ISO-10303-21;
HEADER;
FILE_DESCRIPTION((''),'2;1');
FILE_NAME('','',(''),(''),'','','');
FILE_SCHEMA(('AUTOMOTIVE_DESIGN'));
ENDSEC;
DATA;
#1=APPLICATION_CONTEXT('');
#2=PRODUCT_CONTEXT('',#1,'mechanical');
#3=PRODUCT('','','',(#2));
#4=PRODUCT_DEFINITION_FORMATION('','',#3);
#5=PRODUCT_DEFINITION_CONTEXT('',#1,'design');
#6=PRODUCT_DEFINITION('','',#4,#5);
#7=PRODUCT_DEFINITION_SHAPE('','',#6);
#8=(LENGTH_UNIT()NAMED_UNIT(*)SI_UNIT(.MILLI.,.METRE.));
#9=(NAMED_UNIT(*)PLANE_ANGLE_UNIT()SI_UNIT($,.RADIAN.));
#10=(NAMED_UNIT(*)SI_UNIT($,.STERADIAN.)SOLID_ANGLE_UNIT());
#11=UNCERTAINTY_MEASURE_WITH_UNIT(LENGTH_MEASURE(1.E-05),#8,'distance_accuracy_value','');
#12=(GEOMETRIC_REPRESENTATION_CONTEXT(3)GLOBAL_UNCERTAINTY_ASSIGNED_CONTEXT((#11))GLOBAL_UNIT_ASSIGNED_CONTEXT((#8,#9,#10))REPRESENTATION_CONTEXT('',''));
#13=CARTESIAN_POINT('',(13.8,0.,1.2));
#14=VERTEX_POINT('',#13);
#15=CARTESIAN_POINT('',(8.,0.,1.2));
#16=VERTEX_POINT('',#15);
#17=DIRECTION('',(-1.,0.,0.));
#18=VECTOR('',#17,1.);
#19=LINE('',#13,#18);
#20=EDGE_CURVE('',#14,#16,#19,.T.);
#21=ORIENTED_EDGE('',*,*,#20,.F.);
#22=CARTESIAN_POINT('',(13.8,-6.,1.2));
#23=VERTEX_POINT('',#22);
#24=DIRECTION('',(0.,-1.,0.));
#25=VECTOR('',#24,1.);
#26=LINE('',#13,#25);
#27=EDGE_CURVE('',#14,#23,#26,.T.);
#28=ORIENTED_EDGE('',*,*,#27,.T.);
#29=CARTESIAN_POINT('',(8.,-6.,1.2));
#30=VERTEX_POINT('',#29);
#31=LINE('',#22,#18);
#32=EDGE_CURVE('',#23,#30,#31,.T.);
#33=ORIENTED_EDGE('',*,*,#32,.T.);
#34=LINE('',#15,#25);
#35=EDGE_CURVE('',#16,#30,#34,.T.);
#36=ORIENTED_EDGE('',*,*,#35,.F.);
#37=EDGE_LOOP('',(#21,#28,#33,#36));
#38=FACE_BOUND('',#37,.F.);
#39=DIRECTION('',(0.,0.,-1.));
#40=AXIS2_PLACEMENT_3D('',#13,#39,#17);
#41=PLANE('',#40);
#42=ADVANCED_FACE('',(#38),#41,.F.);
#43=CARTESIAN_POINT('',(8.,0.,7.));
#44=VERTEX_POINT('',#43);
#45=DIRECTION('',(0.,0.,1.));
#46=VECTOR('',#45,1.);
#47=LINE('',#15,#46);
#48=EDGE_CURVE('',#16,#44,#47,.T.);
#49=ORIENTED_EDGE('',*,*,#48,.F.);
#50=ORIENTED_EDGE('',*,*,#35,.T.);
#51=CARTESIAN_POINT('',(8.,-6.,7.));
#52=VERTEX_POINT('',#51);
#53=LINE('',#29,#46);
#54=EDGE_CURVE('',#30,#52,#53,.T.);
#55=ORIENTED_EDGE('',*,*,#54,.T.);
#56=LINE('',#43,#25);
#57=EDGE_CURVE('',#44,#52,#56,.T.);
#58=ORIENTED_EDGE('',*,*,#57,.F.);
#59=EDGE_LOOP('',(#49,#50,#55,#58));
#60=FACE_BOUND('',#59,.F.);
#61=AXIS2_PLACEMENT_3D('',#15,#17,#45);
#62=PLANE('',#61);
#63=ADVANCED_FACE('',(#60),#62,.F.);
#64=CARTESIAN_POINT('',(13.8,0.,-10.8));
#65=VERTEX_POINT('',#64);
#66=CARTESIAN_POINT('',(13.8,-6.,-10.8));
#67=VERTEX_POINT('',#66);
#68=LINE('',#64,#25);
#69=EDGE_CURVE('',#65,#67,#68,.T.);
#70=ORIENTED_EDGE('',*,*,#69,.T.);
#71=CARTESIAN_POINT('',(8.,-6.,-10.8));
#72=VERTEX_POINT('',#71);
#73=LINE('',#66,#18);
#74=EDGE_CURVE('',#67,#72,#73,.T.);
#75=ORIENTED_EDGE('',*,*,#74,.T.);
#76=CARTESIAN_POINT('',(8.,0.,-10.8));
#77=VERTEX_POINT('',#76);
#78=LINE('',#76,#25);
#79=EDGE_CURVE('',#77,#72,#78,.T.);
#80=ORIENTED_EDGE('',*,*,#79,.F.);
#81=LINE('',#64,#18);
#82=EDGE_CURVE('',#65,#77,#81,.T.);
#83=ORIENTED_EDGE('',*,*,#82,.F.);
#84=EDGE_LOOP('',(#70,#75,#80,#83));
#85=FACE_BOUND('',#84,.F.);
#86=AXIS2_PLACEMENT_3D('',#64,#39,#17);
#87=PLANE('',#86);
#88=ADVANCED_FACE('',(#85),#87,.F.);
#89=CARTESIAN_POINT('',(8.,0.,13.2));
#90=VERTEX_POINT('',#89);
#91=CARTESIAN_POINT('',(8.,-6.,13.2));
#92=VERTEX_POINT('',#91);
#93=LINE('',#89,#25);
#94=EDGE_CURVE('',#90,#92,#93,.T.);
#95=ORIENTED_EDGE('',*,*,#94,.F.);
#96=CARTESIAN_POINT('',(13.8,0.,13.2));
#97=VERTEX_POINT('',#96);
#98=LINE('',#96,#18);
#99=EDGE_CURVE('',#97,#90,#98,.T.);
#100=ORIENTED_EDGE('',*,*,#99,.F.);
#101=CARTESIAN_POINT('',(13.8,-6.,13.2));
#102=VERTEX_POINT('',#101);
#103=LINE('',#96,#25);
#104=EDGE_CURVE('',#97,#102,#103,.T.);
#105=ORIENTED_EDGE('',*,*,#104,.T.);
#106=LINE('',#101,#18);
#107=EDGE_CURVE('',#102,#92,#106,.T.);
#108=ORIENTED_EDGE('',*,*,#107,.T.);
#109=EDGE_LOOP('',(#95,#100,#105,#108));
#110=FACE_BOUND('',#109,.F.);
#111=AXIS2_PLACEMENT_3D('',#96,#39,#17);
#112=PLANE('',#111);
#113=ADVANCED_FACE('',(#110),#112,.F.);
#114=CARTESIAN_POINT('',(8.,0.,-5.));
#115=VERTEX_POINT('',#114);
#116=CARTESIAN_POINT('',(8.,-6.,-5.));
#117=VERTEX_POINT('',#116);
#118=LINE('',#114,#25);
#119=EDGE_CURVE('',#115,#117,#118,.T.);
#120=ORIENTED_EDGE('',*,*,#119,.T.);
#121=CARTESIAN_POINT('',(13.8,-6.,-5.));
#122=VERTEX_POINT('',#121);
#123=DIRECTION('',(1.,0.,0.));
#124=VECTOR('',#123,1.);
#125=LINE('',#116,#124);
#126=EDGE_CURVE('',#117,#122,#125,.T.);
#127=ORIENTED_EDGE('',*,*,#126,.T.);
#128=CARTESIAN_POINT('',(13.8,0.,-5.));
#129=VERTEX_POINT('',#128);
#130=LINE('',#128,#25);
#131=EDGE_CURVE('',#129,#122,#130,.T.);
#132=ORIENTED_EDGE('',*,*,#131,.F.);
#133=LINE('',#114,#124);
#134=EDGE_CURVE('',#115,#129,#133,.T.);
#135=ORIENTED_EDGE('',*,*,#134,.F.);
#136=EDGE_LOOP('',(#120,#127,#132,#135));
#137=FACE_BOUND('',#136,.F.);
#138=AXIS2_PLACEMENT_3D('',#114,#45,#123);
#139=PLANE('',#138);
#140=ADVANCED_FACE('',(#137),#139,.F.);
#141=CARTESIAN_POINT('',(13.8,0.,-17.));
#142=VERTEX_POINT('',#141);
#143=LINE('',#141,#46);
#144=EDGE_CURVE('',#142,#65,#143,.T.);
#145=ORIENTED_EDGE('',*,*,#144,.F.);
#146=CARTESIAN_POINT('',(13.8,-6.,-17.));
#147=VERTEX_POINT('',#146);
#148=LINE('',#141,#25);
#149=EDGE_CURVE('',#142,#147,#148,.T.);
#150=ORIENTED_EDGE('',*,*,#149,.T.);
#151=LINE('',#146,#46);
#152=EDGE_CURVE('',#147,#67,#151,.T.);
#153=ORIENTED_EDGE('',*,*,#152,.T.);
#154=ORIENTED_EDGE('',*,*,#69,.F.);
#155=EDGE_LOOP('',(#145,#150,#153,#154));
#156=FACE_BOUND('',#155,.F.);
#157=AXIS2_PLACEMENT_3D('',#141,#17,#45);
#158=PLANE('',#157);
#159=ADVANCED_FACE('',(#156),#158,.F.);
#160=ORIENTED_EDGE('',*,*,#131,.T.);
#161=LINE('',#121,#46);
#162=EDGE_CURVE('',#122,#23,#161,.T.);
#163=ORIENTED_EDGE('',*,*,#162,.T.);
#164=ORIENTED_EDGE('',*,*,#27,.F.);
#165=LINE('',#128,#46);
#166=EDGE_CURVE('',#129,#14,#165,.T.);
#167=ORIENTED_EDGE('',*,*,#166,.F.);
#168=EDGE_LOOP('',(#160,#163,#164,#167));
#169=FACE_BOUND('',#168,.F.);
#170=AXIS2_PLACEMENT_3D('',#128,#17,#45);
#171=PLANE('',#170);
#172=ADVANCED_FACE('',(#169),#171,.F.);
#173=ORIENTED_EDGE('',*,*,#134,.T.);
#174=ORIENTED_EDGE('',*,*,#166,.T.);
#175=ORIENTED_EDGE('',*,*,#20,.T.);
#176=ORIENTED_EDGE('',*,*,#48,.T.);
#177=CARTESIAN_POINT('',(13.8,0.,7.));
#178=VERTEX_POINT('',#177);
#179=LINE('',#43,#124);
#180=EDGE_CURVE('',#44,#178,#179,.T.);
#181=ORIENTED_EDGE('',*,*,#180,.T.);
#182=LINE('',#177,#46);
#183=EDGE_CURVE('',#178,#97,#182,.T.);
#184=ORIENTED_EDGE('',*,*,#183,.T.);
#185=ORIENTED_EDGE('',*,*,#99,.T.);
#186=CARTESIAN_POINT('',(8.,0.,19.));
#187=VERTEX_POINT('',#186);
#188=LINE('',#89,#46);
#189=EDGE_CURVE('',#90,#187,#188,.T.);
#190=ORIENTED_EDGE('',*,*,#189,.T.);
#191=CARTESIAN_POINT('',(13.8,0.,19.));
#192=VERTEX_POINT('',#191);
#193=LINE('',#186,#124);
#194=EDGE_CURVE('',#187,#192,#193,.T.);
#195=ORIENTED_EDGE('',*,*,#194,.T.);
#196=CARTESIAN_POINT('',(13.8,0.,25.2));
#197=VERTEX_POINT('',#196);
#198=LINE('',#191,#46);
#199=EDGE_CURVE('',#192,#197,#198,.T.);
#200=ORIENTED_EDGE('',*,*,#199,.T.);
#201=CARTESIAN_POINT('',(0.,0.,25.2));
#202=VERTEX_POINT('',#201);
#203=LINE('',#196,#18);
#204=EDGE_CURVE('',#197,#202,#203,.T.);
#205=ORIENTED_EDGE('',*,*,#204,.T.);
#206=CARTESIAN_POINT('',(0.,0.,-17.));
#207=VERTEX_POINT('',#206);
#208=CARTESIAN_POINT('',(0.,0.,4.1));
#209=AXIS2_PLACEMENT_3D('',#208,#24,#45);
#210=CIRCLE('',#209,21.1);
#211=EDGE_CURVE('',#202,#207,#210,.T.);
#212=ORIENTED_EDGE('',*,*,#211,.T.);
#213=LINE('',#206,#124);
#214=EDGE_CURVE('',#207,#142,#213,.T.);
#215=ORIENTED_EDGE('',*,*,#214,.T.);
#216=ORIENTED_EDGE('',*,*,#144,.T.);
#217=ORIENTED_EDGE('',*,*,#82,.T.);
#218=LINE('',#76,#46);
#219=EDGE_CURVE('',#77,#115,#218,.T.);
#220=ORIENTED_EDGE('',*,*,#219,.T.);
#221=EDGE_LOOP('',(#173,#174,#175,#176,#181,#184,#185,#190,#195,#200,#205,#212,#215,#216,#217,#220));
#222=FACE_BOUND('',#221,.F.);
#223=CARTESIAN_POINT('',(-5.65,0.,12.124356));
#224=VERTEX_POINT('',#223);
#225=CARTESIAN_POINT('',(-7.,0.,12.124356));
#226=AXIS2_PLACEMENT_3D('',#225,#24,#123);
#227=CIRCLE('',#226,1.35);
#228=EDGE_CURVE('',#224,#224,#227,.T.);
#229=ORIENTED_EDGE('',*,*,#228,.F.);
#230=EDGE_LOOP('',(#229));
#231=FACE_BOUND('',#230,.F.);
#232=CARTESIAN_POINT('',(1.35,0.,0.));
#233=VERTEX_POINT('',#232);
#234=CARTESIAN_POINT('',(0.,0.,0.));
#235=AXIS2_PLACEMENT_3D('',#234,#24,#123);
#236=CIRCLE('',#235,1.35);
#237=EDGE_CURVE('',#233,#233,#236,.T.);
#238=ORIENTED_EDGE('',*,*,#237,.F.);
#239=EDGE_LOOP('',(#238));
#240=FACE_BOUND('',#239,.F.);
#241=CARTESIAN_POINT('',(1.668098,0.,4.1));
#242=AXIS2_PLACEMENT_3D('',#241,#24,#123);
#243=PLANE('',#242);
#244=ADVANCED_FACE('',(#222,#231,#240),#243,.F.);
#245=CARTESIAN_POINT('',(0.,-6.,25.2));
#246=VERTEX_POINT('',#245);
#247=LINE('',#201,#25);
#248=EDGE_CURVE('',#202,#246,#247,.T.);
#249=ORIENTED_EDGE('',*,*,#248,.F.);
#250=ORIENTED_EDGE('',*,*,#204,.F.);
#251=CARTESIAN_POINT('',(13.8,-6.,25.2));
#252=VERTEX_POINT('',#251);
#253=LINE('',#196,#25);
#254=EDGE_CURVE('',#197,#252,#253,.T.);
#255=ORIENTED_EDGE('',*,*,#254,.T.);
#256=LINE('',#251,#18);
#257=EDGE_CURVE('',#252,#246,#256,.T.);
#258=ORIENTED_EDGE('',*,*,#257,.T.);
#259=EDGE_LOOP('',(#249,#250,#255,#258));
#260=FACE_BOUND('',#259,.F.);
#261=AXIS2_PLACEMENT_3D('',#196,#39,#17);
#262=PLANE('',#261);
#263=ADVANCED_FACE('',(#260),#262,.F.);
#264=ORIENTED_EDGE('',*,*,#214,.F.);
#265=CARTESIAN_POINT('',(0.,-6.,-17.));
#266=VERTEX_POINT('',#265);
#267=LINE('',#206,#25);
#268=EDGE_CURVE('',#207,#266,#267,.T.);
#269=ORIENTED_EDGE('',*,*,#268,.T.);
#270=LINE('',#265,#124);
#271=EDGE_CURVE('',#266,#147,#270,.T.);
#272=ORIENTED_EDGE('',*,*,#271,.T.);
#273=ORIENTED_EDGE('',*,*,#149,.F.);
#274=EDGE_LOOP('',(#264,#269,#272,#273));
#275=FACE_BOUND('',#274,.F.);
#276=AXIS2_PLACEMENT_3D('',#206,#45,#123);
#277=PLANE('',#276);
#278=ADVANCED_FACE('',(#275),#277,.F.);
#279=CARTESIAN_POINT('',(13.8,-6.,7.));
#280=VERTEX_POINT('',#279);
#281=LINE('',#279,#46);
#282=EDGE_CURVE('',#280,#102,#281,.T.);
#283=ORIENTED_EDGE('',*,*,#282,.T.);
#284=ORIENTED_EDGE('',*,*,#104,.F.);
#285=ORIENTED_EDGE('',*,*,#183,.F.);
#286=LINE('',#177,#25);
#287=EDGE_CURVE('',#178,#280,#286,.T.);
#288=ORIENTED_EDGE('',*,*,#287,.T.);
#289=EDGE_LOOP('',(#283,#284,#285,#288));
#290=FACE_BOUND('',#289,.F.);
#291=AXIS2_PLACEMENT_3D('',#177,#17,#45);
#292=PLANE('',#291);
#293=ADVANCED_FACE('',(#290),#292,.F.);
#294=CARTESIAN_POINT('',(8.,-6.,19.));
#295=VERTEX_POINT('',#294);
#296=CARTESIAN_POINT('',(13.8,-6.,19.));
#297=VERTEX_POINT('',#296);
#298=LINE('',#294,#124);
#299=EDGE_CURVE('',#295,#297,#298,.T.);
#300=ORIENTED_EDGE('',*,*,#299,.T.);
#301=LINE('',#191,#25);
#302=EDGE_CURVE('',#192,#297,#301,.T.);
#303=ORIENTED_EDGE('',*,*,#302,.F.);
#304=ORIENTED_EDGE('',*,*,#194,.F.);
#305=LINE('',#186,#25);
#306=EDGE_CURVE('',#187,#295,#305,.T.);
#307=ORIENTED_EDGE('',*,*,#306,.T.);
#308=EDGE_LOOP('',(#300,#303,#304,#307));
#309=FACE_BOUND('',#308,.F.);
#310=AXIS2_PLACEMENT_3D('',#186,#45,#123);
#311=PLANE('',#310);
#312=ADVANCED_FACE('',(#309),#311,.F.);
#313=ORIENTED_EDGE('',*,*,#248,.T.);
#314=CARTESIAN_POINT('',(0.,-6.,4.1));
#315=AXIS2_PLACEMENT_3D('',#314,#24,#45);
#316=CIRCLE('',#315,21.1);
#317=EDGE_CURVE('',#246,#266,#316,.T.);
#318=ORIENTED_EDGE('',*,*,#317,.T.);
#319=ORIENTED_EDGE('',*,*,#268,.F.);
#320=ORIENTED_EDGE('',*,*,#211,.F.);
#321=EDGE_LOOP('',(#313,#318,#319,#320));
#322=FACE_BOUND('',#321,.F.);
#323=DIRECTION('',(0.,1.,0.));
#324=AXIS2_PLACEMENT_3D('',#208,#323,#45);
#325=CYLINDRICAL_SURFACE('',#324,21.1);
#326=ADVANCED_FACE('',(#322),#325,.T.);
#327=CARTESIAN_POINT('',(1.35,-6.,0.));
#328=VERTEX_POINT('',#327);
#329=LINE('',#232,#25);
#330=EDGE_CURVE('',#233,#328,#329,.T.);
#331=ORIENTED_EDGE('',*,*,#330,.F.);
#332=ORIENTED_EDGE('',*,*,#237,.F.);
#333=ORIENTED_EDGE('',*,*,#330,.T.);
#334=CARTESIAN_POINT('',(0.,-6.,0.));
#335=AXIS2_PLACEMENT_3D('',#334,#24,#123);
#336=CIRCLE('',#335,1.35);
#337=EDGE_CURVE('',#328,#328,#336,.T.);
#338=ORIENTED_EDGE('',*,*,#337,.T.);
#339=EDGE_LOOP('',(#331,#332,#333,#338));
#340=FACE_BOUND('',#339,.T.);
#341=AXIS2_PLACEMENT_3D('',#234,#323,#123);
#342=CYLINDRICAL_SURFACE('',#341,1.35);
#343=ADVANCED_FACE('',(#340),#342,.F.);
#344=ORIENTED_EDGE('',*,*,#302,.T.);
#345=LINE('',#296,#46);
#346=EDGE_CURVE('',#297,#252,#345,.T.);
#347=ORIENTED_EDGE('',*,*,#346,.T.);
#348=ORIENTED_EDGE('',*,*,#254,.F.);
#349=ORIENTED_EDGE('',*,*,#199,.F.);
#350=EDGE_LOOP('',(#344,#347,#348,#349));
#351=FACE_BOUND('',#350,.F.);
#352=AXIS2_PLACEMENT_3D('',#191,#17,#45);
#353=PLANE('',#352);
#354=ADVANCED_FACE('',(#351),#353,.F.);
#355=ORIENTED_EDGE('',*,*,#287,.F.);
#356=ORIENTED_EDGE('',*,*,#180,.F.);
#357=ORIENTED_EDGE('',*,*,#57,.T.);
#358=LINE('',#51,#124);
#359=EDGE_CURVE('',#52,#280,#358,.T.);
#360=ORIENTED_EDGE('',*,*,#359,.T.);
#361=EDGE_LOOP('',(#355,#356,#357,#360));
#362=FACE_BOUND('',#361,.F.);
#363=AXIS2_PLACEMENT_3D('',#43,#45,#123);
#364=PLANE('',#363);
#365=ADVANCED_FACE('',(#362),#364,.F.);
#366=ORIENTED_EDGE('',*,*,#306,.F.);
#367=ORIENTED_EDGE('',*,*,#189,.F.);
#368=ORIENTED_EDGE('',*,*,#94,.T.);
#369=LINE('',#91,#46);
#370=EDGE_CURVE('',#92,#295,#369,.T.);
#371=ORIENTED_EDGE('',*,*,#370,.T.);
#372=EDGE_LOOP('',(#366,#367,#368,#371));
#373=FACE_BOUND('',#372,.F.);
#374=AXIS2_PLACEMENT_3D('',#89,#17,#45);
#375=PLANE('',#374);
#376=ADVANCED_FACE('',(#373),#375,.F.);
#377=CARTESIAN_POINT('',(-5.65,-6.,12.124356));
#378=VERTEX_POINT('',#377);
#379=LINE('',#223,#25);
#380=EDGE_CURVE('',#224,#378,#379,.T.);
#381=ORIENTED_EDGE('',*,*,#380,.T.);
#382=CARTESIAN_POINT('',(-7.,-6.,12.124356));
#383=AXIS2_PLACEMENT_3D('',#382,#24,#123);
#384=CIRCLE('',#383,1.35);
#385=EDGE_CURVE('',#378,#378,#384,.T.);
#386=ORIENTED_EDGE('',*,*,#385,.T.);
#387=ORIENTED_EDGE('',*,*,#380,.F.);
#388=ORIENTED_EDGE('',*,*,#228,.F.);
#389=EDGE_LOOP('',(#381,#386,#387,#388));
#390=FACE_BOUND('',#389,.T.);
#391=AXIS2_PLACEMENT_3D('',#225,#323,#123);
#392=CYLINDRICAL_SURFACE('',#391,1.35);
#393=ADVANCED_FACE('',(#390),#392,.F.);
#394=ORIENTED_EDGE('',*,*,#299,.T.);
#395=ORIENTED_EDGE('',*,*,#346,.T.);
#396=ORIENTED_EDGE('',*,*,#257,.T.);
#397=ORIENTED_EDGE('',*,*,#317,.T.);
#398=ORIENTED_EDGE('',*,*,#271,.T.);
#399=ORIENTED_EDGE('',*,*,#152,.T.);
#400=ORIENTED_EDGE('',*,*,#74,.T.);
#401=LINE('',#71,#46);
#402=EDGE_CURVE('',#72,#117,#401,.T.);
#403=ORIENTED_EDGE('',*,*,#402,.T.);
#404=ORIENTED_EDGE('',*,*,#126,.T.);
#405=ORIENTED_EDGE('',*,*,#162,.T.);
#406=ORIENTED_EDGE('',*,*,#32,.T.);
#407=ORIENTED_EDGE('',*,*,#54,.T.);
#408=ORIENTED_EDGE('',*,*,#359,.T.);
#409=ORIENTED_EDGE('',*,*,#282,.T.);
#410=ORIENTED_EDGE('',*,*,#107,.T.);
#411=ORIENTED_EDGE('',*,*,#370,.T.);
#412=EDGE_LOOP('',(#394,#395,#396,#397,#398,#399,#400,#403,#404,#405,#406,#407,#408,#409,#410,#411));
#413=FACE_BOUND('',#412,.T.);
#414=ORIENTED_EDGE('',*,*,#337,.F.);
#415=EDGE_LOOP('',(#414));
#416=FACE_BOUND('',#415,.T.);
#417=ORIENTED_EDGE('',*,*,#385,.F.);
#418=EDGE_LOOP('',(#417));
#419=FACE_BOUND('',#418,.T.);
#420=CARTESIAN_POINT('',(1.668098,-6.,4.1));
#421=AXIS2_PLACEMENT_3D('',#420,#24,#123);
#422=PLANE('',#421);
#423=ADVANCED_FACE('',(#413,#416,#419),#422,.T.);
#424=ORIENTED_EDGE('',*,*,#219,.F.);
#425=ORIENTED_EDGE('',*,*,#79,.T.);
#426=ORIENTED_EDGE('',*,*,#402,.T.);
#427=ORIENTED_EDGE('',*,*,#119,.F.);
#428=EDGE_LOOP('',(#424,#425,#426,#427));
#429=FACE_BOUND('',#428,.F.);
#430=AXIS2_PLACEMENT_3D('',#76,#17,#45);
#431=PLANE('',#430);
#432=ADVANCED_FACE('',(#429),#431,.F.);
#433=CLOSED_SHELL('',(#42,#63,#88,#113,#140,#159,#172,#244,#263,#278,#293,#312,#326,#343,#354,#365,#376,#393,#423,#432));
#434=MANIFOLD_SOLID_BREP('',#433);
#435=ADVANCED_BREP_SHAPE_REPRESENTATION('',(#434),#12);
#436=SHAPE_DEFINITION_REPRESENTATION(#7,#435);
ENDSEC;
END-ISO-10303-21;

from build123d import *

# Parameters (mm, degrees)
F0_R     = 1.35
F1_DEPTH = 6


with BuildPart() as f1:
    # F0 (on Front) → F1 (new body)
    with BuildSketch(Plane.XZ):
        with BuildLine():
            ThreePointArc((0, 25.2), (-21.1, 4.1), (0, -17))
            Line((0, -17), (13.8, -17))
            Line((13.8, -17), (13.8, -10.8))
            Line((13.8, -10.8), (8, -10.8))
            Line((8, -10.8), (8, -5))
            Line((8, -5), (13.8, -5))
            Line((13.8, -5), (13.8, 1.2))
            Line((13.8, 1.2), (8, 1.2))
            Line((8, 1.2), (8, 7))
            Line((8, 7), (13.8, 7))
            Line((13.8, 7), (13.8, 13.2))
            Line((13.8, 13.2), (8, 13.2))
            Line((8, 13.2), (8, 19))
            Line((8, 19), (13.8, 19))
            Line((13.8, 19), (13.8, 25.2))
            Line((13.8, 25.2), (0, 25.2))
        make_face()
        Circle(F0_R, mode=Mode.SUBTRACT)
        with Locations((-7, 12.124356)):
            Circle(F0_R, mode=Mode.SUBTRACT)
    extrude(amount=F1_DEPTH)


solid = f1.part
